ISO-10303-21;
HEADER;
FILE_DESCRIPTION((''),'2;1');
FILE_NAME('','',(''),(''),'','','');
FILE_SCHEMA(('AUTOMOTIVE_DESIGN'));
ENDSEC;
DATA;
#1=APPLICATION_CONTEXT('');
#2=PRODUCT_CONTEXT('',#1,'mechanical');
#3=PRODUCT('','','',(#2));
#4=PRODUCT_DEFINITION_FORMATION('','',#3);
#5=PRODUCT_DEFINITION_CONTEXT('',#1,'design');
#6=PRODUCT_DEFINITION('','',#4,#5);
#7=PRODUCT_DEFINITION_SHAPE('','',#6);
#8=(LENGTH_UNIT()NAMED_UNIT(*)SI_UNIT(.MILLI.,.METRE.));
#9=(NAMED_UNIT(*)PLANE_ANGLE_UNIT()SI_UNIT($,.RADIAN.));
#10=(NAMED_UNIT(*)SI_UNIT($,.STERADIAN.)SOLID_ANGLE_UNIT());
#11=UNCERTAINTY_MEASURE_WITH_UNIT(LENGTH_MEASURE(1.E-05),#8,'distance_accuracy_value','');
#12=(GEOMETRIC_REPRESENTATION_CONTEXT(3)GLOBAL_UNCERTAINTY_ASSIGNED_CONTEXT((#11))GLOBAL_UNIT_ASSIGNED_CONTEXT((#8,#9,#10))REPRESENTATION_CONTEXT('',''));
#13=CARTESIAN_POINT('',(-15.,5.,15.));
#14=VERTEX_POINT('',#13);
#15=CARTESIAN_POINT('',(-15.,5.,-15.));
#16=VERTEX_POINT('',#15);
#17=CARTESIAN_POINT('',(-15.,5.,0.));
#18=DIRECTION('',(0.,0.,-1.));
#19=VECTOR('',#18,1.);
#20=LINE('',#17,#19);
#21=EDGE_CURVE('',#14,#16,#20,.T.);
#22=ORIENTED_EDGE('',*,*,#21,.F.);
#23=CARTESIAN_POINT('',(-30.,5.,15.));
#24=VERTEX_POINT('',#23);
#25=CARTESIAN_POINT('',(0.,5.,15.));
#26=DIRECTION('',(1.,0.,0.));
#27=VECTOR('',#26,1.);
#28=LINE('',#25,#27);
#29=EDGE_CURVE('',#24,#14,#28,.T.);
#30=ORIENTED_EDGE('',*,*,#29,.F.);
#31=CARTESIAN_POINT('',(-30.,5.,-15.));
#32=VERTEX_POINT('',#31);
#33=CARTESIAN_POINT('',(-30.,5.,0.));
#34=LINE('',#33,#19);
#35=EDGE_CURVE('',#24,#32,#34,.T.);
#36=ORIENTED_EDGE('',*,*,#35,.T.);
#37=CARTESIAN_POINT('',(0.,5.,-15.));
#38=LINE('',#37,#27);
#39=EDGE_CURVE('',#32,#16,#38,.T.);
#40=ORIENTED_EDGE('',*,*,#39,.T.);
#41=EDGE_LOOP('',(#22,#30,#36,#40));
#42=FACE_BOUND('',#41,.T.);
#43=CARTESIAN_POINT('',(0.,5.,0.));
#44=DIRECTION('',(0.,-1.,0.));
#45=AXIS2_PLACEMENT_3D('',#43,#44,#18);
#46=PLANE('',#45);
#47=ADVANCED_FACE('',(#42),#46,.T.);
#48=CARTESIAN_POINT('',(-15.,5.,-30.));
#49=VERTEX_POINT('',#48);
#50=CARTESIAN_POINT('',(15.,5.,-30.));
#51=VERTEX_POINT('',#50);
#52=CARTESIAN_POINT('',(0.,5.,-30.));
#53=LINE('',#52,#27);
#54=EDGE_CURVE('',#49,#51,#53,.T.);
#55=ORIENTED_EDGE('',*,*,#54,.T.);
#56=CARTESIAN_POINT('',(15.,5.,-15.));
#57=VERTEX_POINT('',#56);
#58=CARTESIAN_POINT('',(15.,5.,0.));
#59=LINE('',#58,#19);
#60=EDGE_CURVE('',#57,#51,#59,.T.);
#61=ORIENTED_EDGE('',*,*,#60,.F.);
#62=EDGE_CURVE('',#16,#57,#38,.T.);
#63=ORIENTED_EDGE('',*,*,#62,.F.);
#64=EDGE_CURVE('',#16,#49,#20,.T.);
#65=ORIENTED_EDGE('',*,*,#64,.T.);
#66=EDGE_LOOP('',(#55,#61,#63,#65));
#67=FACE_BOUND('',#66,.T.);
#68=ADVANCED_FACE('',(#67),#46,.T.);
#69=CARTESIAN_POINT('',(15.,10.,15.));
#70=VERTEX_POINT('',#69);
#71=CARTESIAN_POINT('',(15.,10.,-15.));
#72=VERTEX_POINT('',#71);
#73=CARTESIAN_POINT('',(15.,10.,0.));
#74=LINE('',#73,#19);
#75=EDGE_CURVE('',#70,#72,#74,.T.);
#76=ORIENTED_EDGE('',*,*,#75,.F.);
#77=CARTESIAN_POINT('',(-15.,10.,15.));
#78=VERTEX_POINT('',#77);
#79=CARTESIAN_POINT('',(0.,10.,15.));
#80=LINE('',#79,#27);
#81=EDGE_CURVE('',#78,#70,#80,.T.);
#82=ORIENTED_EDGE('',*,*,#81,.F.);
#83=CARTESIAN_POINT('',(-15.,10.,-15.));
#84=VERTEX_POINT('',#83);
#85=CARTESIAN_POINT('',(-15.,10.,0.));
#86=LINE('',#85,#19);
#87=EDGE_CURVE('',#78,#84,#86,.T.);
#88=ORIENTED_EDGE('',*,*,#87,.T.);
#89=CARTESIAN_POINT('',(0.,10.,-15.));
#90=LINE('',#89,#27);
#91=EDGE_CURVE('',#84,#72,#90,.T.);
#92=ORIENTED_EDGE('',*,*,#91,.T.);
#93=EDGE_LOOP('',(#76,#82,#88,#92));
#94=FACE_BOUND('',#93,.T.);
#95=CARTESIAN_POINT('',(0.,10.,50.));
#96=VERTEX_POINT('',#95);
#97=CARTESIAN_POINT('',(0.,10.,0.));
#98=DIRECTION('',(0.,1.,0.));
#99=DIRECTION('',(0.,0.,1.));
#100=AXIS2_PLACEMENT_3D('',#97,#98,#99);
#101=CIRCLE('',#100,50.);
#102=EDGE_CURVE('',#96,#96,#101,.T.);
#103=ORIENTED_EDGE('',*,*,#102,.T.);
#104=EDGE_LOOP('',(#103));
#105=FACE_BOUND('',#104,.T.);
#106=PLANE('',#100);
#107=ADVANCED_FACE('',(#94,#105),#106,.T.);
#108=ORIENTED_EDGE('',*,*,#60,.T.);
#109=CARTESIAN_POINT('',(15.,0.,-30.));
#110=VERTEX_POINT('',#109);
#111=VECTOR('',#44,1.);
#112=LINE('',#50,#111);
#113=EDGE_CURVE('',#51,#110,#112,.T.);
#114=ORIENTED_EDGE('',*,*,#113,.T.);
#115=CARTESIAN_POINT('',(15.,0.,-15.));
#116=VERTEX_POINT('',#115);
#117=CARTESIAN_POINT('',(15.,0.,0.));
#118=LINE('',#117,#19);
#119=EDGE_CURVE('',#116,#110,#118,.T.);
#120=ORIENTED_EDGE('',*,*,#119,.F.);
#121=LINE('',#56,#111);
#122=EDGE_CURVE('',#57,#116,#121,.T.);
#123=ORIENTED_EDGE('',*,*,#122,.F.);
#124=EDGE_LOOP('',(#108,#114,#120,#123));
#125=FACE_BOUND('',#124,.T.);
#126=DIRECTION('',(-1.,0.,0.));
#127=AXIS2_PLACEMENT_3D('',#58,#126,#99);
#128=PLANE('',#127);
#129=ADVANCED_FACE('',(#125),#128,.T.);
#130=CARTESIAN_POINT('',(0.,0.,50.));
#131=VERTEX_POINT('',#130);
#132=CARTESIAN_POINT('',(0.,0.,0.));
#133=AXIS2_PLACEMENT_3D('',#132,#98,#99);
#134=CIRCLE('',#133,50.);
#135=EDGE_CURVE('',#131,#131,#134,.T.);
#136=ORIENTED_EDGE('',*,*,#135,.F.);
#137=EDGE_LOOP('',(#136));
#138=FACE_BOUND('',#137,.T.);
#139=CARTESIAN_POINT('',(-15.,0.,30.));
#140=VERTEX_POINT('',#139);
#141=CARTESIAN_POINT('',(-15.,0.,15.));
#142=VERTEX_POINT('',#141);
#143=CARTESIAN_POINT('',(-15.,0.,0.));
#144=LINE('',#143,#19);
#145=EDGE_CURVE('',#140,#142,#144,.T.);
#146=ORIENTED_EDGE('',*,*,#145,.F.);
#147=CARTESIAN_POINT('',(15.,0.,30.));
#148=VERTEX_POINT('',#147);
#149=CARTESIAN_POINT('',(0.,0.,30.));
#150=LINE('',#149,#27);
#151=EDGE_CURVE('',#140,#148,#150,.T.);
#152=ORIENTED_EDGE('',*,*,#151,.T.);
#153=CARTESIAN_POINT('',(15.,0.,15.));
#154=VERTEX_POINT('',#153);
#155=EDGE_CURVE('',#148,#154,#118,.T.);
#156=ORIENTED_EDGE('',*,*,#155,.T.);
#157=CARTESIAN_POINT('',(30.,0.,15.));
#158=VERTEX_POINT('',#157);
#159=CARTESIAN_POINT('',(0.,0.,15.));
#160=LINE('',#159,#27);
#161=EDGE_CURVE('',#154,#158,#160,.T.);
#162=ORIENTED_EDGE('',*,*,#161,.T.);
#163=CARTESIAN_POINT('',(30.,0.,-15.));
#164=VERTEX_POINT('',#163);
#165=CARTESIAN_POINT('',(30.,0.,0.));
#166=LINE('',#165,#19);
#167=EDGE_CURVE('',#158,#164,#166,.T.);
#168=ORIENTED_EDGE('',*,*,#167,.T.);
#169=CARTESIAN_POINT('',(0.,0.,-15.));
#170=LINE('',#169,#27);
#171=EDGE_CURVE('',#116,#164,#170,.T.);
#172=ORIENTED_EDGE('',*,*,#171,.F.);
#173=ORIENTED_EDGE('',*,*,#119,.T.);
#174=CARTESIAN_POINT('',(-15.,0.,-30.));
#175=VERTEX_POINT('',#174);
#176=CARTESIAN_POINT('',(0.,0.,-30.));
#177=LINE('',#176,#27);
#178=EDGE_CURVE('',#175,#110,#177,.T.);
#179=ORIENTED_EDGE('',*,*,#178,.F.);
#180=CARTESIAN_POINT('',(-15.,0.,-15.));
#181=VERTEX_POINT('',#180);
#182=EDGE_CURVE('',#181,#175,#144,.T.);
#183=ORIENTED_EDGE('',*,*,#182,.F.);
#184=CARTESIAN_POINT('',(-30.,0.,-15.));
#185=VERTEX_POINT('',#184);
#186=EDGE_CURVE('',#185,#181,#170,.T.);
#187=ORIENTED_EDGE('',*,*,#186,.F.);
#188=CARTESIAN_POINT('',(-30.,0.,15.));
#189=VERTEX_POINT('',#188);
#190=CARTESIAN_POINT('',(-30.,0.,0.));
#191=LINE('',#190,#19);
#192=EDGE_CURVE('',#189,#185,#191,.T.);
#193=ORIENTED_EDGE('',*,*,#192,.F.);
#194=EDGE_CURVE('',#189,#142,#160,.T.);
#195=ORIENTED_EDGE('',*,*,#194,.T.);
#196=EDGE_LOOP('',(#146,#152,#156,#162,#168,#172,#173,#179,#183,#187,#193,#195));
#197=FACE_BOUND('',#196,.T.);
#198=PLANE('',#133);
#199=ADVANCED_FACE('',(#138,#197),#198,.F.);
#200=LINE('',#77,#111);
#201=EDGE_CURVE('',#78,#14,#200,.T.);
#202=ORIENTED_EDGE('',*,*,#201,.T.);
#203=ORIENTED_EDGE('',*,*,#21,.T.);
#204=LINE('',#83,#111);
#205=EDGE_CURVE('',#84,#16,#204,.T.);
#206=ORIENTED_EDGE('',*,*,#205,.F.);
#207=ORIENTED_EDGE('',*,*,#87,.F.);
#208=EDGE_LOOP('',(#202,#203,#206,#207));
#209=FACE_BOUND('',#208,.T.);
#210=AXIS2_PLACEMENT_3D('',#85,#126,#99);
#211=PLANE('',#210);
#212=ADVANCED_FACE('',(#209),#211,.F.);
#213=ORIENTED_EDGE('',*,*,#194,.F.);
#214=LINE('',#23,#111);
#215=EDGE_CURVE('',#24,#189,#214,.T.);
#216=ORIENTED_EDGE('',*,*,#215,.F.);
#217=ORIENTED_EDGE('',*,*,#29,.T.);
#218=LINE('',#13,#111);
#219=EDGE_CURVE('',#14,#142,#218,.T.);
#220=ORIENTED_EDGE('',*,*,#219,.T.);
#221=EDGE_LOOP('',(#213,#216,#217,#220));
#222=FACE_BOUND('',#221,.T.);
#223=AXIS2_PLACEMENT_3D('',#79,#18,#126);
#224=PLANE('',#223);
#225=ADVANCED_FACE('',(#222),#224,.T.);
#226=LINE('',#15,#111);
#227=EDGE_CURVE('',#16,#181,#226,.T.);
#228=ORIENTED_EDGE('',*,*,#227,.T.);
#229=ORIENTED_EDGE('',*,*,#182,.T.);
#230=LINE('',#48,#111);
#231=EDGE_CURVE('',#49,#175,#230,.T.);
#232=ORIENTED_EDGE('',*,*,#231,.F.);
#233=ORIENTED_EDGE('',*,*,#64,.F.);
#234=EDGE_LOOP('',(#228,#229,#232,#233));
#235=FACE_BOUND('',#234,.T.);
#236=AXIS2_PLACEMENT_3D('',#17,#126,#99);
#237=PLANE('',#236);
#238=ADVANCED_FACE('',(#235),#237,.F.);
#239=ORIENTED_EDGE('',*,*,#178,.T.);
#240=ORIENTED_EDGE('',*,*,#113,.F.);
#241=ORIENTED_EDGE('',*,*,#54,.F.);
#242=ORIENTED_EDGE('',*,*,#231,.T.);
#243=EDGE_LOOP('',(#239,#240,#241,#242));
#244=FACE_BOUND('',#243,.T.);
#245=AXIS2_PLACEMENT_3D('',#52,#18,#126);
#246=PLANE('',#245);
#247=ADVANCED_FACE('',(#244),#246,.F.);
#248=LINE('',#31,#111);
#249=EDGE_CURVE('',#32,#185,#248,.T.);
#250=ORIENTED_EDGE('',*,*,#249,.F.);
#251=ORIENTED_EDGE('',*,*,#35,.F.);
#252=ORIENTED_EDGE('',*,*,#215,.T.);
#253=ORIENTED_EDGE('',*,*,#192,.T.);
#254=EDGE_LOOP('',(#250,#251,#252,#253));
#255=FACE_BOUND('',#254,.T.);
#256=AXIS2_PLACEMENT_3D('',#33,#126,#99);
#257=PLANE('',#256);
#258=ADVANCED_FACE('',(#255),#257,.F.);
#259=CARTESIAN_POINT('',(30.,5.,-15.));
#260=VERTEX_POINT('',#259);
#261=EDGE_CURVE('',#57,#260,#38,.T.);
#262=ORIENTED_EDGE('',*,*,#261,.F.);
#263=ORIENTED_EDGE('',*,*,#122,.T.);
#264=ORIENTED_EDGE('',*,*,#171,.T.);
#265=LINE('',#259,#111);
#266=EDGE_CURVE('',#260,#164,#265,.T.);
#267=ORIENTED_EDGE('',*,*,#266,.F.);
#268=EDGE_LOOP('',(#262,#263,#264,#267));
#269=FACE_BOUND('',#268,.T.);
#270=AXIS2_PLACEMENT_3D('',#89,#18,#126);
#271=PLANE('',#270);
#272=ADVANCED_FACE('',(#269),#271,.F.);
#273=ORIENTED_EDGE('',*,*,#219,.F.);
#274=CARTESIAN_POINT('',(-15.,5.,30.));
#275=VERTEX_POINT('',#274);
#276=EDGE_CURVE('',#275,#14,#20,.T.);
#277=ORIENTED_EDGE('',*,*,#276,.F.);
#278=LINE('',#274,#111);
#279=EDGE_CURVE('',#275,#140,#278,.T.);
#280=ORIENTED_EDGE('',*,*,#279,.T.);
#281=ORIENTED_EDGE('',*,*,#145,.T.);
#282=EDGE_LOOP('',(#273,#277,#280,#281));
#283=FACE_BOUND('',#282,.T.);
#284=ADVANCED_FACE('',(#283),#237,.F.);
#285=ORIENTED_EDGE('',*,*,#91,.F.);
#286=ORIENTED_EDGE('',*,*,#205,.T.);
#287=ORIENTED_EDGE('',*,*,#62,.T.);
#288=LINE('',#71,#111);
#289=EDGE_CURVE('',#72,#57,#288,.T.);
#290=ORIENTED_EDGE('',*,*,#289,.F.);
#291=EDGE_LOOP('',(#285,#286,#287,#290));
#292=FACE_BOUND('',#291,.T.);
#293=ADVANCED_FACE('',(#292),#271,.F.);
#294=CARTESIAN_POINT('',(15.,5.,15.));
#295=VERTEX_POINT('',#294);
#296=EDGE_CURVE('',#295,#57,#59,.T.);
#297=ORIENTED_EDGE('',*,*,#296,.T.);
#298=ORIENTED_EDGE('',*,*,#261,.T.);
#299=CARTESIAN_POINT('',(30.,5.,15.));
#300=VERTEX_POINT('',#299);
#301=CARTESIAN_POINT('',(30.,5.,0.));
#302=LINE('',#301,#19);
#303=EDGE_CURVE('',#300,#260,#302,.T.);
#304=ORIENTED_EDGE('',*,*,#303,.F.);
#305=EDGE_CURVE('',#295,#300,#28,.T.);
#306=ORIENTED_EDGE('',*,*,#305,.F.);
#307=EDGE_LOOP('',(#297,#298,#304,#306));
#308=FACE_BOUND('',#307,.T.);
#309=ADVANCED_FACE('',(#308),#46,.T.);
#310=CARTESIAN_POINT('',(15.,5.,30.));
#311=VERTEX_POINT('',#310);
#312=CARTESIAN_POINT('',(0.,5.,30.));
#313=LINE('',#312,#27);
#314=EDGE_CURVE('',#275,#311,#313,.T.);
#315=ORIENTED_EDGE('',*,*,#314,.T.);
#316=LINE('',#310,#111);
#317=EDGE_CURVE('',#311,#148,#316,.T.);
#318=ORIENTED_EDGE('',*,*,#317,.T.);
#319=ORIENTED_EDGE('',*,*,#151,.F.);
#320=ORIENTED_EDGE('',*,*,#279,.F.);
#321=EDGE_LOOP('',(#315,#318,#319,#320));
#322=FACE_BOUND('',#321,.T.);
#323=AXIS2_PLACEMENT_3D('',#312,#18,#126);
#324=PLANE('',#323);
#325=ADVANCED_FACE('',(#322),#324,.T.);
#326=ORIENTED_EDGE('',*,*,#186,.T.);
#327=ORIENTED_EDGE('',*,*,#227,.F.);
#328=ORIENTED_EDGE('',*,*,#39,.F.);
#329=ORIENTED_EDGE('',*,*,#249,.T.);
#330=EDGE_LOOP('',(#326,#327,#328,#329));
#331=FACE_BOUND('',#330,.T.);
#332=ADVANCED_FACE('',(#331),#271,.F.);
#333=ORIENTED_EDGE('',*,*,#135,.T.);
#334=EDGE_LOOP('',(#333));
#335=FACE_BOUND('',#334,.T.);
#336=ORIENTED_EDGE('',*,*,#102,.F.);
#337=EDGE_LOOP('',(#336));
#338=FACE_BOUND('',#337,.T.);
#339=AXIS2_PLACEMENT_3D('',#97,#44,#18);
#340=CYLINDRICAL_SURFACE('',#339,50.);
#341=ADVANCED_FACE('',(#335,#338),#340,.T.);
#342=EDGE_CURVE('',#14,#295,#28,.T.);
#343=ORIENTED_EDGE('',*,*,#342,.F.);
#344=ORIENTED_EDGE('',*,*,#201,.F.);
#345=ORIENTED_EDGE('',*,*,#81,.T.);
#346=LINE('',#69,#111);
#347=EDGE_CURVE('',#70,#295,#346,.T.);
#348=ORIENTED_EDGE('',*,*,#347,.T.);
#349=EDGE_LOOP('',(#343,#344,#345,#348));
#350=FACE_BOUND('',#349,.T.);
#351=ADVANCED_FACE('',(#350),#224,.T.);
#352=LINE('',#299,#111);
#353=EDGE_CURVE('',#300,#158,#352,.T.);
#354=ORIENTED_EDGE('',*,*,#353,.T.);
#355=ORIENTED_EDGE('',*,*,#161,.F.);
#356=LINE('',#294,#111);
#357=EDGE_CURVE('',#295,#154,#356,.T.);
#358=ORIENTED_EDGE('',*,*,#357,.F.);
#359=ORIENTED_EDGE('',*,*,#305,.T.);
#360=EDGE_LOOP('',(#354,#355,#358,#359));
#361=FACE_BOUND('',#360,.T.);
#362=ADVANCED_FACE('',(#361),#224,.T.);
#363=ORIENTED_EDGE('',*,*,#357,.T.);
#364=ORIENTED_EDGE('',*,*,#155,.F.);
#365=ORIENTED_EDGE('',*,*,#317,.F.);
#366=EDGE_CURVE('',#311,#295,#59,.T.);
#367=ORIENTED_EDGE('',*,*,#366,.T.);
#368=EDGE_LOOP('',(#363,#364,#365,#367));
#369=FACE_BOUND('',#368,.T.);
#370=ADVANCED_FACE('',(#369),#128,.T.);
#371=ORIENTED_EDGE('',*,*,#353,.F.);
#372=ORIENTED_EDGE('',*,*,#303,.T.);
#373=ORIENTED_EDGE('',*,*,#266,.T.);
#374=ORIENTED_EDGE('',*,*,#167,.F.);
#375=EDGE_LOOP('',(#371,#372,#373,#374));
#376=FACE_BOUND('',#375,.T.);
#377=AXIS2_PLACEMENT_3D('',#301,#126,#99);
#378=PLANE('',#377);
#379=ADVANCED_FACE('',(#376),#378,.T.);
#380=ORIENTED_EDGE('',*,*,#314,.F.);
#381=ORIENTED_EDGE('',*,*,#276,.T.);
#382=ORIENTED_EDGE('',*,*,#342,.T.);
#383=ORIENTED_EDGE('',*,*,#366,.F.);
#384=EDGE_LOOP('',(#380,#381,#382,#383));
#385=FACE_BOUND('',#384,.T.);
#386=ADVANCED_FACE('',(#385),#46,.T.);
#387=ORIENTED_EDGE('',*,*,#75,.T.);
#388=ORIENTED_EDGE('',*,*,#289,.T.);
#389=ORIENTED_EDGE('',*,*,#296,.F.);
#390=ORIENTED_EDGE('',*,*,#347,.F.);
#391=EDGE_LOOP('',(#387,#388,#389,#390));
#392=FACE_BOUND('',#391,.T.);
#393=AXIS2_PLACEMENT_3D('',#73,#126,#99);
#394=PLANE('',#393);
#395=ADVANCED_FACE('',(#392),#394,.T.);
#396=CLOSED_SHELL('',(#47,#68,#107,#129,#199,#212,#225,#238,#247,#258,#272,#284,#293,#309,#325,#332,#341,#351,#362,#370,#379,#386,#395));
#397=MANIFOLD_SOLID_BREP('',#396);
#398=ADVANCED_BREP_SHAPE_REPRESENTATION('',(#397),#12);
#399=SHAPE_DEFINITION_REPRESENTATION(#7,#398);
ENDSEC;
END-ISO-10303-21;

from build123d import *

# Parameters (mm, degrees)
SKETCH2_R           = 50
BOSS_EXTRUDE1_DEPTH = 10
SKETCH4_W           = 30
SKETCH4_H           = 30
CUT_EXTRUDE4_DEPTH  = 72.414284285
SKETCH4_5_W         = 30
SKETCH4_5_H         = 15
SKETCH4_5_W_2       = 15
SKETCH4_5_H_2       = 30
CUT_EXTRUDE5_DEPTH  = 5


with BuildPart() as part:
    # Sketch2 → Boss-Extrude1 (new body)
    with BuildSketch(Plane(origin=(0, 0, 0), x_dir=(1, 0, 0), z_dir=(0, 1, 0))):
        Circle(SKETCH2_R)
    extrude(amount=BOSS_EXTRUDE1_DEPTH)

    # Sketch4 → Cut-Extrude4 (cut, through all)
    with BuildSketch(Plane.XZ):
        Rectangle(SKETCH4_W, SKETCH4_H)
    extrude(amount=-CUT_EXTRUDE4_DEPTH, mode=Mode.SUBTRACT)

    # Sketch4<5> → Cut-Extrude5 (cut)
    with BuildSketch(Plane.XZ):
        with Locations((0, 22.5)):
            Rectangle(SKETCH4_5_W, SKETCH4_5_H)
        with Locations((-22.5, 0)):
            Rectangle(SKETCH4_5_W_2, SKETCH4_5_H_2)
        with Locations((22.5, 0)):
            Rectangle(SKETCH4_5_W_2, SKETCH4_5_H_2)
        with Locations((0, -22.5)):
            Rectangle(SKETCH4_5_W, SKETCH4_5_H)
    extrude(amount=-CUT_EXTRUDE5_DEPTH, mode=Mode.SUBTRACT)


solid = part.part
